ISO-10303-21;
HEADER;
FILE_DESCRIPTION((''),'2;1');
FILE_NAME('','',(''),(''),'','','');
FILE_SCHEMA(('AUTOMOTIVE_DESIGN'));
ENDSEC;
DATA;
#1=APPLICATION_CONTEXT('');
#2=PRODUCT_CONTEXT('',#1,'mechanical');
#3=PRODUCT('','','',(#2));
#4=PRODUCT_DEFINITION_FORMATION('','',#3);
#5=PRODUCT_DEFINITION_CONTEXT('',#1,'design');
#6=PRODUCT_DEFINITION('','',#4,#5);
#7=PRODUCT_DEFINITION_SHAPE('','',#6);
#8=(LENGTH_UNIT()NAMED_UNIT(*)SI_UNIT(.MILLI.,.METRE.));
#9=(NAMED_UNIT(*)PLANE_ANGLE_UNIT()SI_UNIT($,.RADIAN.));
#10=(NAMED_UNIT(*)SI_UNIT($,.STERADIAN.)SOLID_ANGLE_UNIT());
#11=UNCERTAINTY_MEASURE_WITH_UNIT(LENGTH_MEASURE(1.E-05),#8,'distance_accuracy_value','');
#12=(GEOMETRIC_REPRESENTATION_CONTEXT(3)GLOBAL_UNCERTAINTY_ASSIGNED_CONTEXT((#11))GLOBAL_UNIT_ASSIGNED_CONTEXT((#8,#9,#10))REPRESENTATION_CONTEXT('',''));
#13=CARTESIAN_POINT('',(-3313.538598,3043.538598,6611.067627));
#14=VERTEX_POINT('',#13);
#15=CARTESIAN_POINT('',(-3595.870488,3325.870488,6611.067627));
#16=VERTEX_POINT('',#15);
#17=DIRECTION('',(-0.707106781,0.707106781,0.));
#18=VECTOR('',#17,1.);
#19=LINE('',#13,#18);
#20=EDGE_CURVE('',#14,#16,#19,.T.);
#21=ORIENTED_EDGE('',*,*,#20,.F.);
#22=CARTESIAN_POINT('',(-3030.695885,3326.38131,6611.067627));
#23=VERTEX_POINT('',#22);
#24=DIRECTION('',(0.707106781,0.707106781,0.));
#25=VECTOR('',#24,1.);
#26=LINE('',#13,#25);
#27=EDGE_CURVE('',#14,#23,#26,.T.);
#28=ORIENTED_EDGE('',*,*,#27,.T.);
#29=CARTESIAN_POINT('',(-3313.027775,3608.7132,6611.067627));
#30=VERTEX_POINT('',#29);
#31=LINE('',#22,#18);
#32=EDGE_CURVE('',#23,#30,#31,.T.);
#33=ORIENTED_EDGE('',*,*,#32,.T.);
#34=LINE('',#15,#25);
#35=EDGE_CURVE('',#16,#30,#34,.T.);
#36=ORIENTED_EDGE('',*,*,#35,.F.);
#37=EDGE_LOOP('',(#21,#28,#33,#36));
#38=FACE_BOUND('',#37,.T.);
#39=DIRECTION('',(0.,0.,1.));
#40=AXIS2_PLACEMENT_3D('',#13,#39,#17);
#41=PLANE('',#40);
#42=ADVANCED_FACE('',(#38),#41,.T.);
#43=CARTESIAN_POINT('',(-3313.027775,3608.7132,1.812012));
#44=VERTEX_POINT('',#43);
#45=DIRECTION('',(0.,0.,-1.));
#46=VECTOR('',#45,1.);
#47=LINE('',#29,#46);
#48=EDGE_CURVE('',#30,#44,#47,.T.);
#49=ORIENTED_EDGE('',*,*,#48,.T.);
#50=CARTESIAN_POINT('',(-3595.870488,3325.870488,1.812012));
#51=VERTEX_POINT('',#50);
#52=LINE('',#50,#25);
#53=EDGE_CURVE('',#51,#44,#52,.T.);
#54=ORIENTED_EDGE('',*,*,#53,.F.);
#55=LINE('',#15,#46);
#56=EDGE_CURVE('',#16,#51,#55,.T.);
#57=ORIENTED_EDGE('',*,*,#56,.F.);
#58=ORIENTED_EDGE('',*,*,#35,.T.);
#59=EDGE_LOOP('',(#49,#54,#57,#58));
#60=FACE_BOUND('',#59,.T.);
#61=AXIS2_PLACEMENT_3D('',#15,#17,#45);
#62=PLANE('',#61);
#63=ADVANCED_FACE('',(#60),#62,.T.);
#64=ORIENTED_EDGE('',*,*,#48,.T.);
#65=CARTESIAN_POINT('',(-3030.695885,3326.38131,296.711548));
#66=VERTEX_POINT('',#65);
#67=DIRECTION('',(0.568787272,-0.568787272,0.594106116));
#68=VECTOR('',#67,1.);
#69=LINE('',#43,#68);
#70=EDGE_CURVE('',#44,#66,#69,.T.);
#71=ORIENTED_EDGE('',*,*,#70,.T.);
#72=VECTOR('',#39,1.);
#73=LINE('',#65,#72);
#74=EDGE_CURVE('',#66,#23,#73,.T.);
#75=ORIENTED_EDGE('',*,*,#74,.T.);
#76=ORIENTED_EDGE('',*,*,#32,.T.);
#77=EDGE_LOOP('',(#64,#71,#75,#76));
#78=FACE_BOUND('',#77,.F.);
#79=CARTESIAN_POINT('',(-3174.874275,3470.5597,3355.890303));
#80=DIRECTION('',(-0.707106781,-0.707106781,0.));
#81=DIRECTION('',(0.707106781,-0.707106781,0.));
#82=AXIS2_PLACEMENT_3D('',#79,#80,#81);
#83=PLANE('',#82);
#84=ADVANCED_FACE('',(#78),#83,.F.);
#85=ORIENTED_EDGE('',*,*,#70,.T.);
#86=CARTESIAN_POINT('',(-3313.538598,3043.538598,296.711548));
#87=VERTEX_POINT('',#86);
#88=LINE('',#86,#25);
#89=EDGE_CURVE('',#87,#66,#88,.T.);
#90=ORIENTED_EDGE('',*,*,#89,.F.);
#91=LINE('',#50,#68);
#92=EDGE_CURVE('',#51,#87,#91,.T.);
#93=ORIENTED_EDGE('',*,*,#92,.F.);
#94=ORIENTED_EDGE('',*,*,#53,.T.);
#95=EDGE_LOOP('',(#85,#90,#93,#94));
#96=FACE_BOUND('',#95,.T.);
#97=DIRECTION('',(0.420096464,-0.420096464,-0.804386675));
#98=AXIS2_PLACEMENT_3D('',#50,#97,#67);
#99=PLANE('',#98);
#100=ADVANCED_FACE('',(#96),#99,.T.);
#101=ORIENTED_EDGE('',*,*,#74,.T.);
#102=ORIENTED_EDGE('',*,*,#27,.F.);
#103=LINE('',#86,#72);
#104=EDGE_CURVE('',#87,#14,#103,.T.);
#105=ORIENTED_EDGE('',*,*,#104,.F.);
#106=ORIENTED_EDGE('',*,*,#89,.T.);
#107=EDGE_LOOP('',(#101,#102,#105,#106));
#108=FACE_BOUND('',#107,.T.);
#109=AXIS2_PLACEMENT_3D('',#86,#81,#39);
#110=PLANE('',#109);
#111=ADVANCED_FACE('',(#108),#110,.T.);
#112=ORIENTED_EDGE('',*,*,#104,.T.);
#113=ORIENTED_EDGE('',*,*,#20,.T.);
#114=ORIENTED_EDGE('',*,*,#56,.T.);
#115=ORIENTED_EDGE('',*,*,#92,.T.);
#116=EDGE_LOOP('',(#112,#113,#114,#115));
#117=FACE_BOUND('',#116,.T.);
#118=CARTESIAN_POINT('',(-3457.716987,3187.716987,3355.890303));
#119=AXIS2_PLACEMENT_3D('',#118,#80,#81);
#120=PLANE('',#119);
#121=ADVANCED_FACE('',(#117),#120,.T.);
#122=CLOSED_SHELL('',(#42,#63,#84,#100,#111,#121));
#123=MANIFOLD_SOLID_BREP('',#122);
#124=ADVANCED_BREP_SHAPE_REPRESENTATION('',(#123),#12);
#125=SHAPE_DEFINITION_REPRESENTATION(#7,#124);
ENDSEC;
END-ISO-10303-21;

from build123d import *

# Parameters (mm, degrees)
EXTRUDE_DEPTH                     = 400
EXTRUDE_ONTO_SKETCH121_ROLL_ANGLE = 90
EXTRUDE_PLACEMENT_ANGLE           = -45


with BuildPart() as landing_leg:
    # Sketch121 as drawn → Extrude (new)
    with BuildSketch(Plane.XY):
        Polygon((2890, 6611.067627), (3289.277588, 6611.067627), (3289.277588, 1.812012), (2890, 296.711548), align=None)
    extrude(amount=EXTRUDE_DEPTH)


with BuildPart() as landing_leg_1:
    # Extrude onto Sketch121 roll: moved
    add(landing_leg.part.rotate(Axis((0, 0, 0), (1, 0, 0)), EXTRUDE_ONTO_SKETCH121_ROLL_ANGLE))


with BuildPart() as landing_leg_2:
    # Extrude onto Sketch121 placement: moved
    add(landing_leg_1.part)


with BuildPart() as landing_leg_3:
    # Extrude placement: moved
    add(landing_leg_2.part.moved(Location((1270, -1000, 0))).rotate(Axis((1270, -1000, 0), (0, 0, 1)), EXTRUDE_PLACEMENT_ANGLE))


with BuildPart() as part_mirroring004:
    # Part__Mirroring004: instance of landing leg 
    add(landing_leg_3.part.mirror(Plane(origin=(0, 0, 0), x_dir=(0, -1, 0), z_dir=(1, 0, 0))))


with BuildPart() as part_mirroring006:
    # Part__Mirroring006: instance of Part__Mirroring004
    add(part_mirroring004.part.mirror(Plane(origin=(0, 0, 0), x_dir=(1, 0, 0), z_dir=(0, 1, 0))))


solid = part_mirroring006.part
